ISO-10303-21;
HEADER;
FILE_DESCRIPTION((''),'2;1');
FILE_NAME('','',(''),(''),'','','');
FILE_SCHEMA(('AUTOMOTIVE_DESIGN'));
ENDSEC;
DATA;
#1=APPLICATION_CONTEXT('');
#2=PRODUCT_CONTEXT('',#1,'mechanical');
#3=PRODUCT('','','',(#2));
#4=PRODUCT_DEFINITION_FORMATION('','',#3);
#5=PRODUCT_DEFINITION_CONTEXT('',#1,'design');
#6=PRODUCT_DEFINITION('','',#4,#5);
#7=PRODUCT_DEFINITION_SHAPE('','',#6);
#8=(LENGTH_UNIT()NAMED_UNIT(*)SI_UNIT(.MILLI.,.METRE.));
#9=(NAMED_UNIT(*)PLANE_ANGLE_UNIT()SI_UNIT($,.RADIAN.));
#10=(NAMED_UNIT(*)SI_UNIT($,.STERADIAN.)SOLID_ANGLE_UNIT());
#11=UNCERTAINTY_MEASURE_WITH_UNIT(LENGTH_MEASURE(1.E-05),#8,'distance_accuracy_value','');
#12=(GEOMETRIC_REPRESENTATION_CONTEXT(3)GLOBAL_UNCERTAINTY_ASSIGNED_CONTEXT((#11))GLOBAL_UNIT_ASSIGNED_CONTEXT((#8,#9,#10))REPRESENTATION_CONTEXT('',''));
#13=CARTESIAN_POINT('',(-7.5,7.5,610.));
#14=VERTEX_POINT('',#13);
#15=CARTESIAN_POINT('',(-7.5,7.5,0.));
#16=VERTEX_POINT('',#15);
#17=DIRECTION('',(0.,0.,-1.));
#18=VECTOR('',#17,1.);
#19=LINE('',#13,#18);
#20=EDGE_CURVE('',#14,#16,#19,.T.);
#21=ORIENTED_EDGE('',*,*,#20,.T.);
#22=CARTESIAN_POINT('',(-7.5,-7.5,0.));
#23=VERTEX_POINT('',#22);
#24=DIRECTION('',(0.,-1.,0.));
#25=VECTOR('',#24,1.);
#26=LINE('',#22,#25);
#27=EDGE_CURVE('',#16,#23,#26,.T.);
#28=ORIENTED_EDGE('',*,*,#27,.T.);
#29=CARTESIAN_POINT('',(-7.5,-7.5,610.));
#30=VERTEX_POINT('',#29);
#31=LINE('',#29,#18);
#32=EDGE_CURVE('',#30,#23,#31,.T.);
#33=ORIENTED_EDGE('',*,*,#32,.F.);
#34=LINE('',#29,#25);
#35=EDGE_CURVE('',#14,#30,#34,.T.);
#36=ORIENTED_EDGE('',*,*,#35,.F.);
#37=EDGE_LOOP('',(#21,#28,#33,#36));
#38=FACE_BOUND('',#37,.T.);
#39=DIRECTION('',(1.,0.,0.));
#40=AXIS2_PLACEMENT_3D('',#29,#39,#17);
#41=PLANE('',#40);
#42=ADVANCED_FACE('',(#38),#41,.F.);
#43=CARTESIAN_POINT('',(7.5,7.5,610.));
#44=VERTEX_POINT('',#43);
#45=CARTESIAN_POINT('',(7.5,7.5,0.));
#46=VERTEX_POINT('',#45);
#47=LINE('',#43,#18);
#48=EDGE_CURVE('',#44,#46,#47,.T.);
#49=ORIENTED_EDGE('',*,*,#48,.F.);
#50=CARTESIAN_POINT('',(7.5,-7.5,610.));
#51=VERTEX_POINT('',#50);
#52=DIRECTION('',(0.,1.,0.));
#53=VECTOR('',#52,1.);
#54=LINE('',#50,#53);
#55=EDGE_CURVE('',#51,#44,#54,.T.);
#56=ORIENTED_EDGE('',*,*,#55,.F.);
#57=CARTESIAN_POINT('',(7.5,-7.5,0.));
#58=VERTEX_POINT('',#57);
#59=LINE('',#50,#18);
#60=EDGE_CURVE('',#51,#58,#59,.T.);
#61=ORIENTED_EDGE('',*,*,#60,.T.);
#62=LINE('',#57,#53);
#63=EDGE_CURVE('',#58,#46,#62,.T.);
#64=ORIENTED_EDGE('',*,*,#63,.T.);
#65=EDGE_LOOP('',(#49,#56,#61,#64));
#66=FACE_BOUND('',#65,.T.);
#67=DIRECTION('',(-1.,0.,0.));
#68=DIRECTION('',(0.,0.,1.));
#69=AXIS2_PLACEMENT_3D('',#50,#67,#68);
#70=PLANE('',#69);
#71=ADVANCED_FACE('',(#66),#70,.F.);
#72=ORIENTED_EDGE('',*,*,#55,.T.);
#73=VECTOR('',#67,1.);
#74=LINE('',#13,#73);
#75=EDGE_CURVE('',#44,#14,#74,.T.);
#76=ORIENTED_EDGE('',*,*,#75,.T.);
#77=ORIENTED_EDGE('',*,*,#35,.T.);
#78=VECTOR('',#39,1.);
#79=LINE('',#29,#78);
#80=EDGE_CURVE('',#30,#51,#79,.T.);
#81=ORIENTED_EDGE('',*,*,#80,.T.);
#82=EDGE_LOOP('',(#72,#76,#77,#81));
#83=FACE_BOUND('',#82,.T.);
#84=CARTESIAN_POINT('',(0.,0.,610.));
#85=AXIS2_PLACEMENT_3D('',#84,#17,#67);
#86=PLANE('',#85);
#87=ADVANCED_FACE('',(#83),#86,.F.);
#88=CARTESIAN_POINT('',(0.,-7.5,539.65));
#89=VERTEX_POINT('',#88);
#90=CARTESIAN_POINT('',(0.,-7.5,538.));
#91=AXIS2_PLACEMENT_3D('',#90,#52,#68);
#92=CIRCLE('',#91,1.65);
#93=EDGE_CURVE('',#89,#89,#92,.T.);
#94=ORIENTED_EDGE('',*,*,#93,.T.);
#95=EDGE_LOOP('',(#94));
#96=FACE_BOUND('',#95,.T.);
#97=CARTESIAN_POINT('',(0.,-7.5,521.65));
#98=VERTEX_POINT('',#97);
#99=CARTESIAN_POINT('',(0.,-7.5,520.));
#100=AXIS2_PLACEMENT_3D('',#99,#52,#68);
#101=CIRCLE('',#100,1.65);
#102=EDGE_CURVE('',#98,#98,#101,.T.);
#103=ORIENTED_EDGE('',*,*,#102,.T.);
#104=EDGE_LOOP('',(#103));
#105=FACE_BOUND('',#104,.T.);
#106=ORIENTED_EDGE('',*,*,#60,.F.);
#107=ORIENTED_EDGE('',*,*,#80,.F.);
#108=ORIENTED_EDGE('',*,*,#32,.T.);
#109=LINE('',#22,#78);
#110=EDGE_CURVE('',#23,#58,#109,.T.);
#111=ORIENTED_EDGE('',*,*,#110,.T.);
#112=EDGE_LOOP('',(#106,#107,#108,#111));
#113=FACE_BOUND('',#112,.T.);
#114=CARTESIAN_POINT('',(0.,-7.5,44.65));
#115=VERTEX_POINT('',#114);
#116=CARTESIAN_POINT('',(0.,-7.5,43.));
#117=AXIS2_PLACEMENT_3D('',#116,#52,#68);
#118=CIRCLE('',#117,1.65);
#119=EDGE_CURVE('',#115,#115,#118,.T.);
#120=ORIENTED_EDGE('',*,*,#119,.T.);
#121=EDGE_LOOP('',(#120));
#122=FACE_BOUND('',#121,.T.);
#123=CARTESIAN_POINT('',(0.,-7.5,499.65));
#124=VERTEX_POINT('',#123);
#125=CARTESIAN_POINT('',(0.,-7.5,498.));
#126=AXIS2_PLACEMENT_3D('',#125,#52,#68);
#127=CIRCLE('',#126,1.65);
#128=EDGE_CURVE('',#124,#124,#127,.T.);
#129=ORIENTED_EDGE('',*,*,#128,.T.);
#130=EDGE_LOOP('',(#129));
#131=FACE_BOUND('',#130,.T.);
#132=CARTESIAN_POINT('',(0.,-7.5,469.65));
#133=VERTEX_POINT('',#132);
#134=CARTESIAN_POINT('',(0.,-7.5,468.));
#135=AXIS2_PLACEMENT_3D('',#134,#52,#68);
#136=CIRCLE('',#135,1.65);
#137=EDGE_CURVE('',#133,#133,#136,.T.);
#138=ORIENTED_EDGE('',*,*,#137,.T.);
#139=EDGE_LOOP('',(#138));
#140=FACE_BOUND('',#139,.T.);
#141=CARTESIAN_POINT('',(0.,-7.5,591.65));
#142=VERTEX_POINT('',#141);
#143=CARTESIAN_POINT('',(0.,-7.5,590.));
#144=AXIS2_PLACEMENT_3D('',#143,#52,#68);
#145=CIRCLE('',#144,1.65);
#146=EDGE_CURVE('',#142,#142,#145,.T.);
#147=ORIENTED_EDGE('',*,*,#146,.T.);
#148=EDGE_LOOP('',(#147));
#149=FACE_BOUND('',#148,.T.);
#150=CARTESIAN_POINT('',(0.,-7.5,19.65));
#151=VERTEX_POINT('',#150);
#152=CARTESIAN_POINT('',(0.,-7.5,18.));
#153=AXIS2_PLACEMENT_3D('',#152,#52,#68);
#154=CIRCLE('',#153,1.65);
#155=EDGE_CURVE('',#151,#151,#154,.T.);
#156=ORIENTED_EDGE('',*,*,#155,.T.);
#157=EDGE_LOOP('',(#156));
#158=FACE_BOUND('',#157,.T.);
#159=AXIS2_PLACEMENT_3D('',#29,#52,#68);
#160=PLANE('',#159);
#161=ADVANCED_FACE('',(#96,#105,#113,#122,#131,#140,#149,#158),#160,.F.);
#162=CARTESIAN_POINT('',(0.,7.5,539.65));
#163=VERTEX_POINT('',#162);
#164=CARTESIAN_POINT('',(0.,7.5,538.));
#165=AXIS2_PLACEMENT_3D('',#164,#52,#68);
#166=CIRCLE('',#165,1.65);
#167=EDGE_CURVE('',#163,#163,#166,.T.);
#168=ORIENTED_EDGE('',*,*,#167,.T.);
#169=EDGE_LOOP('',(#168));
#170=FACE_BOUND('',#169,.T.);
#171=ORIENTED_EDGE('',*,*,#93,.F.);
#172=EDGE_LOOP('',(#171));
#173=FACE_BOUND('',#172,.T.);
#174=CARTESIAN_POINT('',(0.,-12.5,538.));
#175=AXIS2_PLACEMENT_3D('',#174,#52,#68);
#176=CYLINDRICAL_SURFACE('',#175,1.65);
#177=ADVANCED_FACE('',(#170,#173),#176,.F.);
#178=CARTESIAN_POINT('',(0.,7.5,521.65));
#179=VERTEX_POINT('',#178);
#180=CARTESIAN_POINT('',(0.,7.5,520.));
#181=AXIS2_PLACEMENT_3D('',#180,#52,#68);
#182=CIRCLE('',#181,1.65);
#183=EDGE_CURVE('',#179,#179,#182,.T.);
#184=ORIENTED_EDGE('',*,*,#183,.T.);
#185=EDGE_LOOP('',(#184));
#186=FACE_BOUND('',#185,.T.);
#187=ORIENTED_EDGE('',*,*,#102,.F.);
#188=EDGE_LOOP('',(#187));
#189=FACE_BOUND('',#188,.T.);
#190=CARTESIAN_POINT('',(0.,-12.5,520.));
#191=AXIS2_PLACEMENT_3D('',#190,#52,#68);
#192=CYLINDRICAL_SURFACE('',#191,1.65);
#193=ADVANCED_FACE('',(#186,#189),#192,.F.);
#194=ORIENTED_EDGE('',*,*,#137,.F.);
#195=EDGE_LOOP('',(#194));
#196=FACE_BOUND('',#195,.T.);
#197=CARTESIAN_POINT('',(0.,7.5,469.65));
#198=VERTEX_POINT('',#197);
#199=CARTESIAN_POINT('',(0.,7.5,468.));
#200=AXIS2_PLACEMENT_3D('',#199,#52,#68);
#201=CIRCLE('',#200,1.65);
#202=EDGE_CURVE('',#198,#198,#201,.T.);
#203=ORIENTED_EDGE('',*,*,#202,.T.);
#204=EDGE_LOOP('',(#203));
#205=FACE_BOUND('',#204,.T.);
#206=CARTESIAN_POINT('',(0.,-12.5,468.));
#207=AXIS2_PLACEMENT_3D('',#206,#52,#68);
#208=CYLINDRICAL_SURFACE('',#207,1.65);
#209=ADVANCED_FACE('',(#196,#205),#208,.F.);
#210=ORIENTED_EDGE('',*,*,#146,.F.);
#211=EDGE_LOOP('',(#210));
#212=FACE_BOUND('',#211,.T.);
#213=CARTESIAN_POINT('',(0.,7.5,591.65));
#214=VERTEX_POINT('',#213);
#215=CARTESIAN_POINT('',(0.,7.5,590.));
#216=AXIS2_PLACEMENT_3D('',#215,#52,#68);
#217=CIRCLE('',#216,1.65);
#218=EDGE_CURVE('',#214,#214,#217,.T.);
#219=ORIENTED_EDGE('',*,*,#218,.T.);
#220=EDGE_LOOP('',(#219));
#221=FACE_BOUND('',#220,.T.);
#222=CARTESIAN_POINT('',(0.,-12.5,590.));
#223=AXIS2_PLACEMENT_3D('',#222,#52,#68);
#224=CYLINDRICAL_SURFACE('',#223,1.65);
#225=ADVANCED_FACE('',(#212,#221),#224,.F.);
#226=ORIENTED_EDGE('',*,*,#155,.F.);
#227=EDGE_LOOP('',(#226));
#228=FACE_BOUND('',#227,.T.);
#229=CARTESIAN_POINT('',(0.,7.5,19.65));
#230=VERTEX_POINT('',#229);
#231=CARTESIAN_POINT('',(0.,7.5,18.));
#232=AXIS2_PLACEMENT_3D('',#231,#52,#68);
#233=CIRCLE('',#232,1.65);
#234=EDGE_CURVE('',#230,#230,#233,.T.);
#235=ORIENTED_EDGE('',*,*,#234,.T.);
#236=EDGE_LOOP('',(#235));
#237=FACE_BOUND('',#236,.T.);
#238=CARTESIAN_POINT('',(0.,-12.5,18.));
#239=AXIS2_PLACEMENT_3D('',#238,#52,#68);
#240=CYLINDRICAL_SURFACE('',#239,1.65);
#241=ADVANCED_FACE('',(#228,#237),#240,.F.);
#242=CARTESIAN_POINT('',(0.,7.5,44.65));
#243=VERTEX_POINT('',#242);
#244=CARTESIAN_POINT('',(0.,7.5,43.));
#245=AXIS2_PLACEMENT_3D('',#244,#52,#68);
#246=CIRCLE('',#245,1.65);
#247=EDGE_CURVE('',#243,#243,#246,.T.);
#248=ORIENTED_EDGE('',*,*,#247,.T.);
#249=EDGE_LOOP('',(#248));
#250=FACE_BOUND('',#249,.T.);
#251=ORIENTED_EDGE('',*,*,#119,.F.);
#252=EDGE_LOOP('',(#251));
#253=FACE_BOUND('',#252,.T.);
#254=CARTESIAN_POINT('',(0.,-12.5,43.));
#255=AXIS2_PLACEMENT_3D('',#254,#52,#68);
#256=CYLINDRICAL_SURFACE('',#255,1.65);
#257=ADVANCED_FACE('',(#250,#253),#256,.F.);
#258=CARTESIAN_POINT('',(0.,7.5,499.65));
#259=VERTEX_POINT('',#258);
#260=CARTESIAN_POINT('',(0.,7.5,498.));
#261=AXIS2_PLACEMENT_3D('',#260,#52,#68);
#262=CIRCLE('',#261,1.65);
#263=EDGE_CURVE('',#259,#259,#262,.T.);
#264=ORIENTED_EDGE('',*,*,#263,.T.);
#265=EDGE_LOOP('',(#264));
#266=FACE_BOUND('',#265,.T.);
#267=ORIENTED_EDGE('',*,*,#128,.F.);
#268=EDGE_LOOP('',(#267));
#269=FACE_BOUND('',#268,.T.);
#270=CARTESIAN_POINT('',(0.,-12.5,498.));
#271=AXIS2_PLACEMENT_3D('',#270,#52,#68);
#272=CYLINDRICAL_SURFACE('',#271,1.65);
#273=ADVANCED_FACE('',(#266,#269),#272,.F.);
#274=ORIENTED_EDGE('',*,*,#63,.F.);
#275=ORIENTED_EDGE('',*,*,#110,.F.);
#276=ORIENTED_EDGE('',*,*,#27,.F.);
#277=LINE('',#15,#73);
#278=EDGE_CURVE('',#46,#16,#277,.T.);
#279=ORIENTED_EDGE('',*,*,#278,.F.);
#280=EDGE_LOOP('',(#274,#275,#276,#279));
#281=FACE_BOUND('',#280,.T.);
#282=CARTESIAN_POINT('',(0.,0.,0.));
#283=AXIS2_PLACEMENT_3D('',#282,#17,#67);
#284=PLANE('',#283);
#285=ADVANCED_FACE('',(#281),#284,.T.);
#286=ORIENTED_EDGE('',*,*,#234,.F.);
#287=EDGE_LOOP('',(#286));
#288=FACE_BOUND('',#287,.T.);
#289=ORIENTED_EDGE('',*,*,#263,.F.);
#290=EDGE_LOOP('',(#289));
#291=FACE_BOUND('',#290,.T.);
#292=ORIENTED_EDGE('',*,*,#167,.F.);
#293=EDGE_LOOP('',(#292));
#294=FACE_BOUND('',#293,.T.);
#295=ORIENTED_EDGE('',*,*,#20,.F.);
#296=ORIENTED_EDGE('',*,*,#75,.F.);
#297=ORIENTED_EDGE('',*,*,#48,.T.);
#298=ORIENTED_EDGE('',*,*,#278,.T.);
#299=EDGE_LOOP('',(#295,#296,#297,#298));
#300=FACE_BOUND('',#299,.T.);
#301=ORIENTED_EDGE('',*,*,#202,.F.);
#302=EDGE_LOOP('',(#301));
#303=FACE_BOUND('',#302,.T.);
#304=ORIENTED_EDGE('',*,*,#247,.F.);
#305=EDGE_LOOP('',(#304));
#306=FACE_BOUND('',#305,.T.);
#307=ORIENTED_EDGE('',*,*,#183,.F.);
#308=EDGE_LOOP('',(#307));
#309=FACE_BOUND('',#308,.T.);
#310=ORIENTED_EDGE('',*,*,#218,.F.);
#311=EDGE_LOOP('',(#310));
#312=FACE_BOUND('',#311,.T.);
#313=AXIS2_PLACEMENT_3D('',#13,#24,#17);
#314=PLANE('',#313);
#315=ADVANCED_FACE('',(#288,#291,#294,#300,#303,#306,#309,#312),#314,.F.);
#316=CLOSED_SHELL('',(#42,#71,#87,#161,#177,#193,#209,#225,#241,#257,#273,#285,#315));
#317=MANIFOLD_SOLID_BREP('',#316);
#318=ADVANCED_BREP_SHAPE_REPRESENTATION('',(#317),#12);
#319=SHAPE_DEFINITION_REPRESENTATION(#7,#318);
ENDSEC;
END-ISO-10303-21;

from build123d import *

# Parameters (mm, degrees)
SKETCH_1_W          = 15
SKETCH_1_H          = 15
EXTRUDE_1_DEPTH     = 610
SKETCH_2_R          = 1.65
CUT_EXTRUDE_1_DEPTH = 20


with BuildPart() as part:
    # 草图1 → 凸台-拉伸1 (new body)
    with BuildSketch(Plane.XY):
        Rectangle(SKETCH_1_W, SKETCH_1_H)
    extrude(amount=EXTRUDE_1_DEPTH)

    # 草图2 → 切除-拉伸1 (cut)
    with BuildSketch(Plane(origin=(0, 7.5, 0), x_dir=(1, 0, 0), z_dir=(0, 1, 0))):
        with Locations(Location((0, -590, 0), (0, 0, 270))):
            Circle(SKETCH_2_R)
        with Locations(Location((0, -520, 0), (0, 0, 270))):
            Circle(SKETCH_2_R)
        with Locations(Location((0, -18, 0), (0, 0, 270))):
            Circle(SKETCH_2_R)
        with Locations(Location((0, -43, 0), (0, 0, 270))):
            Circle(SKETCH_2_R)
        with Locations(Location((0, -498, 0), (0, 0, 270))):
            Circle(SKETCH_2_R)
        with Locations(Location((0, -538, 0), (0, 0, 270))):
            Circle(SKETCH_2_R)
        with Locations(Location((0, -468, 0), (0, 0, 270))):
            Circle(SKETCH_2_R)
    extrude(amount=-CUT_EXTRUDE_1_DEPTH, mode=Mode.SUBTRACT)


solid = part.part
